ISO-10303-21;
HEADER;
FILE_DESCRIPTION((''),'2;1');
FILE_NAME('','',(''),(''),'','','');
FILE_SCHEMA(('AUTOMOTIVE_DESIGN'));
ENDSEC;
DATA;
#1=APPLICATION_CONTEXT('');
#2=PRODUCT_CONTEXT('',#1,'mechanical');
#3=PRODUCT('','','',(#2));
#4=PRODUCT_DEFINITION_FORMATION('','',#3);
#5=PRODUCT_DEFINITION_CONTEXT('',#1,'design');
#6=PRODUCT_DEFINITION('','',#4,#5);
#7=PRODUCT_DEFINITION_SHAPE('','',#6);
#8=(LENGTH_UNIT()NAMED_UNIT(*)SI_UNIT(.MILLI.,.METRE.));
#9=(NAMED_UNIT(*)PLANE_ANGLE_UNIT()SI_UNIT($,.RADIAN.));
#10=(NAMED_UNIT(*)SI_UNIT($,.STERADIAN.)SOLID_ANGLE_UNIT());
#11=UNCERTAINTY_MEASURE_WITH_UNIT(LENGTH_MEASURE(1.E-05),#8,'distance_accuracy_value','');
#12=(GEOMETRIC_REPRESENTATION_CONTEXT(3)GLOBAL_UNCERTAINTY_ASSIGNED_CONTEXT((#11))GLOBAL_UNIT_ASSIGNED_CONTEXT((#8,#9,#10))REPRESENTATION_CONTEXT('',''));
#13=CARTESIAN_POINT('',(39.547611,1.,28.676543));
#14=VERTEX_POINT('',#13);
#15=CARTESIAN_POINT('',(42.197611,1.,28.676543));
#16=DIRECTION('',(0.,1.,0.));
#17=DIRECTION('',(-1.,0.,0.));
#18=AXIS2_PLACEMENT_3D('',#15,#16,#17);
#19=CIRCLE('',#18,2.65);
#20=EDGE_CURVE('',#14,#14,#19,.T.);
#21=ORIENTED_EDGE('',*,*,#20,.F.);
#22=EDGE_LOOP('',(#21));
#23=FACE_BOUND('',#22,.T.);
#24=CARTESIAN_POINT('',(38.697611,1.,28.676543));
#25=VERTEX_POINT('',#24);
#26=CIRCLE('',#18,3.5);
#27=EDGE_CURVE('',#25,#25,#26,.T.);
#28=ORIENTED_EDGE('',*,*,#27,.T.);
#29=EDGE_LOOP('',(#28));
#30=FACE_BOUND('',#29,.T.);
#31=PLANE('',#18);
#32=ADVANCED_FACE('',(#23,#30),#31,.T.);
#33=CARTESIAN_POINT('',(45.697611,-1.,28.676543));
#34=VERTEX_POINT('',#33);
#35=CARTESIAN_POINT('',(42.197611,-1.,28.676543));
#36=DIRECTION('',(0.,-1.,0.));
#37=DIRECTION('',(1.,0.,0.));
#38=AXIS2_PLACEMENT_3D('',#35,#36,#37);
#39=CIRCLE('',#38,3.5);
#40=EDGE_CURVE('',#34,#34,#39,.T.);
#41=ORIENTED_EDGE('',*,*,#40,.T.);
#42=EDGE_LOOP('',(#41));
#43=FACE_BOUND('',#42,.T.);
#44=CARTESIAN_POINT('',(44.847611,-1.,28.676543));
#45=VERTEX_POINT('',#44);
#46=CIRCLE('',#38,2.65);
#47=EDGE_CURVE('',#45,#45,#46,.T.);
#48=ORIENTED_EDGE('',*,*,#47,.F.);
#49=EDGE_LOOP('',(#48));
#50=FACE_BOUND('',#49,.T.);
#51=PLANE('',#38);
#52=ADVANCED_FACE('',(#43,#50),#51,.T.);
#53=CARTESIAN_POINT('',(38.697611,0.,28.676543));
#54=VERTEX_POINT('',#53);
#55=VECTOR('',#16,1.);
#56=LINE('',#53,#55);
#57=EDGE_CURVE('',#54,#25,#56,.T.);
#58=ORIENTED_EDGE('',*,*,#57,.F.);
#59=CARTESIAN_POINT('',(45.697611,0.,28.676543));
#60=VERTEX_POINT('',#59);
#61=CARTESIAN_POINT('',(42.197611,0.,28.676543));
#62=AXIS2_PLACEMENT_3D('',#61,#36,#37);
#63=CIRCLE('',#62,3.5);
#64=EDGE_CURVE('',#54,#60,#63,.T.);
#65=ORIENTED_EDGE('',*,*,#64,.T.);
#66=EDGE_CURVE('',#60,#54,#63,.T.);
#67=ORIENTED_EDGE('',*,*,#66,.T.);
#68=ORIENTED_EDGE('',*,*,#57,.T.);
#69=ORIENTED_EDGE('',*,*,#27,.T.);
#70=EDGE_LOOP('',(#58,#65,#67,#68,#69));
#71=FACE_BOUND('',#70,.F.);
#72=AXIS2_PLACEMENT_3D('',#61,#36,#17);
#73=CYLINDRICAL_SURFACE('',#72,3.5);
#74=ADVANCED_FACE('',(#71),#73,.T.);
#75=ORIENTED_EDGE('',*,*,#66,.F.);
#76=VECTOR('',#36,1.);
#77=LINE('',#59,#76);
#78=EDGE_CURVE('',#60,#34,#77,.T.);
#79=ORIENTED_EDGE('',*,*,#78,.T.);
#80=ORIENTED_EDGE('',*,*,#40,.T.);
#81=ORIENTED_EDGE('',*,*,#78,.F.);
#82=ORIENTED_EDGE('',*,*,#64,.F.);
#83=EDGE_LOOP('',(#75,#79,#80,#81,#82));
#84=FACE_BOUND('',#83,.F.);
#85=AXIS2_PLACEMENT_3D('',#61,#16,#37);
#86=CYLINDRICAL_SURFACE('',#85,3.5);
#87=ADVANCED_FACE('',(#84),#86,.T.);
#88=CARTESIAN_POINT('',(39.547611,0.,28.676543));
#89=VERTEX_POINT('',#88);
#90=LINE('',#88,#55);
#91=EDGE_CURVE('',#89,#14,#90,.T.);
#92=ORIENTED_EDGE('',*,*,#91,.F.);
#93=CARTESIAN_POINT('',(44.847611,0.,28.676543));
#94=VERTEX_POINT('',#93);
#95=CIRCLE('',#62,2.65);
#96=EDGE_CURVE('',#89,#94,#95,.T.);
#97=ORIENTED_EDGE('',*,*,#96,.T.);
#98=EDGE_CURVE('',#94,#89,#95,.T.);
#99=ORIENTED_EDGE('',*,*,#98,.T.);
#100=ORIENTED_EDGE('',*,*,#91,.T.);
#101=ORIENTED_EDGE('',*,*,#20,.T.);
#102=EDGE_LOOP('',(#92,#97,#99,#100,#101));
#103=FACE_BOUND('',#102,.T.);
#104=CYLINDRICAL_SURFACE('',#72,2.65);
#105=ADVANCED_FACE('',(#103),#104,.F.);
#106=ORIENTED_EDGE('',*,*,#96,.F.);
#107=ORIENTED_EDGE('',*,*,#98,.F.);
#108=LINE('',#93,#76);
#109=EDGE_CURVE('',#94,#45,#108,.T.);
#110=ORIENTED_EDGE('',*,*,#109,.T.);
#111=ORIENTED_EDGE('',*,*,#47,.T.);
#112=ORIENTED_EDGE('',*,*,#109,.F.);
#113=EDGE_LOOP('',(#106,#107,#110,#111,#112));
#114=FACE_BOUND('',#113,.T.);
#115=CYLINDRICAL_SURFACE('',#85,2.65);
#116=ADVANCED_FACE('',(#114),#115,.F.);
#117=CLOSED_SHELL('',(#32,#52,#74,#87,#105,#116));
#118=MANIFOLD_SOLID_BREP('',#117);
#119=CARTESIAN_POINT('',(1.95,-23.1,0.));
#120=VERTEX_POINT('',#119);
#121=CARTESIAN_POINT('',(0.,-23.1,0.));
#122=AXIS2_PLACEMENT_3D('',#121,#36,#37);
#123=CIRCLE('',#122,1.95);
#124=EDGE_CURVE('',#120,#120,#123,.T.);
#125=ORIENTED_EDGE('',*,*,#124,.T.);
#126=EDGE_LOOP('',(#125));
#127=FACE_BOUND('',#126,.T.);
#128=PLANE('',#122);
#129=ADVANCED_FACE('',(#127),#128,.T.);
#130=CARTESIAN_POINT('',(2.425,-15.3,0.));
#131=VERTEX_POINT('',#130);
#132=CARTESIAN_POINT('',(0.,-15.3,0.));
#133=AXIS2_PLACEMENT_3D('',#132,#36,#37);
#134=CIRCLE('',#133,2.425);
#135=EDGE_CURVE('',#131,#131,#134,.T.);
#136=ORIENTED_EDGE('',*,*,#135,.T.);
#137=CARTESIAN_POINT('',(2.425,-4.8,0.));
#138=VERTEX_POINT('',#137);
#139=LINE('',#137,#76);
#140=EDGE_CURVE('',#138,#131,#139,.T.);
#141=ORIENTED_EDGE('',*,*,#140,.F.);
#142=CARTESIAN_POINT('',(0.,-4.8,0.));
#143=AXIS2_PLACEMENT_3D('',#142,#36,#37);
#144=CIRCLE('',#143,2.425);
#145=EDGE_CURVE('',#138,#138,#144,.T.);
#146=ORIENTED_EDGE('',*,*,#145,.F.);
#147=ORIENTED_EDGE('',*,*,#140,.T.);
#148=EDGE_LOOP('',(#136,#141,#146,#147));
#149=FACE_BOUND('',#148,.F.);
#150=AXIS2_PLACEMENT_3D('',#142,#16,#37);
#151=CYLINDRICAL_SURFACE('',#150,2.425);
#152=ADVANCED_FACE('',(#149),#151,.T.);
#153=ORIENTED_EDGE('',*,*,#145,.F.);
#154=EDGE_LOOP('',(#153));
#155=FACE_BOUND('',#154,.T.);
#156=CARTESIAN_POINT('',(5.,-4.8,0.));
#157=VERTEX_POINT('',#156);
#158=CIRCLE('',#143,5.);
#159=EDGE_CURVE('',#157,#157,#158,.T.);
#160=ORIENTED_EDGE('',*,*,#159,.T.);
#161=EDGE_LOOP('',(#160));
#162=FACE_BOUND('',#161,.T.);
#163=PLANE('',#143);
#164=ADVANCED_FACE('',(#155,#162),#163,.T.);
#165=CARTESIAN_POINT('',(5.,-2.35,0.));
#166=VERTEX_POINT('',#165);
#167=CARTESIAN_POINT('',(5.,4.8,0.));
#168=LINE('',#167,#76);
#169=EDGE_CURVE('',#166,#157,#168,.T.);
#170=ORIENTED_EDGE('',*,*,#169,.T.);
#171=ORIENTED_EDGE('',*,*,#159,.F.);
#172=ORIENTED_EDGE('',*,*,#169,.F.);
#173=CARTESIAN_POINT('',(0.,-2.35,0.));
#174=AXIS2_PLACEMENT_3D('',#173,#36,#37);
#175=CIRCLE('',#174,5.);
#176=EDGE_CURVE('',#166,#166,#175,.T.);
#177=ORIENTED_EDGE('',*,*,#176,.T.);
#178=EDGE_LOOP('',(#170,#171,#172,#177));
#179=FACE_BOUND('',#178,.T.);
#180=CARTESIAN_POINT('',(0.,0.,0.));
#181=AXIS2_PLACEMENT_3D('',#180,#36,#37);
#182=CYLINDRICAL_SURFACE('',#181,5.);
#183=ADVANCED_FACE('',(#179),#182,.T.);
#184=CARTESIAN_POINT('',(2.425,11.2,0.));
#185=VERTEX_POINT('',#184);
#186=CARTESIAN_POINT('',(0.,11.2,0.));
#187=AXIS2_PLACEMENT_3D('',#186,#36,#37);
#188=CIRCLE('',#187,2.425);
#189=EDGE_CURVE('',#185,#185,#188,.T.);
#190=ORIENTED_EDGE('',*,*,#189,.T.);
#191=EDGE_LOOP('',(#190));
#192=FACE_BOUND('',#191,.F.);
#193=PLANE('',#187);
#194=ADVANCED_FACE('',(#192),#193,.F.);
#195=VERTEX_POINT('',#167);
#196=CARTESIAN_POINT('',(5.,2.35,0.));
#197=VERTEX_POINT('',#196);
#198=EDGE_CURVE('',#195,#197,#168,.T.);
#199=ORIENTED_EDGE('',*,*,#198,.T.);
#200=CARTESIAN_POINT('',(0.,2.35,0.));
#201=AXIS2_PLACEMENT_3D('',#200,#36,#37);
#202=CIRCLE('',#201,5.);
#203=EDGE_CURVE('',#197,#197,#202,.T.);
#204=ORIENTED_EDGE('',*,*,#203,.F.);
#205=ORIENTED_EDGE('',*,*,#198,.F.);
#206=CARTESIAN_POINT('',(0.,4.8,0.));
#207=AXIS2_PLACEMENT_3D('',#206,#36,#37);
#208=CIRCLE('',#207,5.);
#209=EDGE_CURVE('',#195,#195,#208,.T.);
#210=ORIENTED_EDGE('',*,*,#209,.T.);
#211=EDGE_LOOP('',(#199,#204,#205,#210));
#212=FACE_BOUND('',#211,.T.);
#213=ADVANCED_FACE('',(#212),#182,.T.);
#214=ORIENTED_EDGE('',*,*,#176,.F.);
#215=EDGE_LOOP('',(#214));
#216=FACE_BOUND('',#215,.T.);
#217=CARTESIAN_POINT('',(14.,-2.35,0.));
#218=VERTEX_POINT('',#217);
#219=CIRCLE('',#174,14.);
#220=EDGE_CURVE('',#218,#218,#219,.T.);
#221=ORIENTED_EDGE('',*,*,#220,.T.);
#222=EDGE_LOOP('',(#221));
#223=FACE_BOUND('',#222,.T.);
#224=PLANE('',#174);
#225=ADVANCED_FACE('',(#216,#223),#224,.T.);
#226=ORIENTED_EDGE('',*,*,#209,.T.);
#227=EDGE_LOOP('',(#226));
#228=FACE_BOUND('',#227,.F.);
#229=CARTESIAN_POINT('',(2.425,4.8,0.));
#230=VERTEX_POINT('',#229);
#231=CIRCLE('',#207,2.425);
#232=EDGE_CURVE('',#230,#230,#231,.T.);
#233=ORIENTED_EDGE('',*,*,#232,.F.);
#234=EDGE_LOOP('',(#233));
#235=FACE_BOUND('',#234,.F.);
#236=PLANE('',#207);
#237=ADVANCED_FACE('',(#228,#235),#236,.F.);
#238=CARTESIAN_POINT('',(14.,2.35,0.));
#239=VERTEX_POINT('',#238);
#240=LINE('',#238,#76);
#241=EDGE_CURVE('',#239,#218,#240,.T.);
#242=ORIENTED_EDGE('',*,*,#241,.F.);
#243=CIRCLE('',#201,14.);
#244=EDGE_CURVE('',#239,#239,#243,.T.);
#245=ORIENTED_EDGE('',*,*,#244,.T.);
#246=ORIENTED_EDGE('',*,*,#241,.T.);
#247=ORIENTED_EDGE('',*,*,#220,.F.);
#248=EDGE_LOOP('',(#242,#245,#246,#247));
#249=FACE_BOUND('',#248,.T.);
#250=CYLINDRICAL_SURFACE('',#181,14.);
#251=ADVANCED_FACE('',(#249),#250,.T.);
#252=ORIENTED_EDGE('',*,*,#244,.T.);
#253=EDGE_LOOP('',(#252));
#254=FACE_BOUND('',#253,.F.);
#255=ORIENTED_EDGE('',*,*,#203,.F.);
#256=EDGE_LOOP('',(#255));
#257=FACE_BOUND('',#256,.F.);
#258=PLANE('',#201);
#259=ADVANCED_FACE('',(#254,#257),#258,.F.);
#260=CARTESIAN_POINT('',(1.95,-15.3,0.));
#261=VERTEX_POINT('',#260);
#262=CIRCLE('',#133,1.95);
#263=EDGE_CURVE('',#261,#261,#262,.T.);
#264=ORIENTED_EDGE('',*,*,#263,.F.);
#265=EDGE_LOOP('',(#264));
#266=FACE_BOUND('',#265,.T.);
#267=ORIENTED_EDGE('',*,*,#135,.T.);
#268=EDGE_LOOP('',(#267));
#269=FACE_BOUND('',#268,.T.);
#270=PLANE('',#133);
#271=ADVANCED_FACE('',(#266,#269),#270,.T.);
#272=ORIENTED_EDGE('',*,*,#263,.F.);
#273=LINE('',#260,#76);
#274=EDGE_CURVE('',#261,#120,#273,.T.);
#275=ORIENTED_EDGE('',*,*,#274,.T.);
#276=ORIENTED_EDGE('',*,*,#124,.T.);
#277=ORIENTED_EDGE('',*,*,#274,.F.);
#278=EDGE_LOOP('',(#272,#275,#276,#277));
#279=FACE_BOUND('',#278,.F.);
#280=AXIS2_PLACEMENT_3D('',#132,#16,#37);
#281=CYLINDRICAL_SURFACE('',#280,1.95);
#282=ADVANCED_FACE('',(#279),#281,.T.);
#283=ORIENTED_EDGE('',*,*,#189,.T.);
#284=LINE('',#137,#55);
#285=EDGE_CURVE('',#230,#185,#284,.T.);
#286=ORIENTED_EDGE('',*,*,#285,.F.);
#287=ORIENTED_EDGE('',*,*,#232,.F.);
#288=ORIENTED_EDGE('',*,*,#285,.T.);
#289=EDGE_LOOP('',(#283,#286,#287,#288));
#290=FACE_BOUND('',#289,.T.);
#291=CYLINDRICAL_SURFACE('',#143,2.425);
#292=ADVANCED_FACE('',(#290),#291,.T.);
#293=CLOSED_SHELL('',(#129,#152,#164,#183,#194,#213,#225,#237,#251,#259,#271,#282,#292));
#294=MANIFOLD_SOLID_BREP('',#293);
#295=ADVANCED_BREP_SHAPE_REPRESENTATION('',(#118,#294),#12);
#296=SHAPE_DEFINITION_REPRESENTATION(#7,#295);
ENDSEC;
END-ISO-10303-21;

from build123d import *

# Parameters (mm, degrees)
F0_R          = 14
F1_DEPTH      = 2.35
F2_R          = 5
F3_DEPTH      = 4.8
F4_R          = 2.425
F5_DEPTH      = 10.5
F5_DEPTH_BACK = 16
F6_R          = 1.95
F7_DEPTH      = 7.8
F8_R          = 3.5
F8_R_2        = 2.65
F9_DEPTH      = 1
F10_R         = 3.5
F10_R_2       = 2.65
F11_DEPTH     = 1


with BuildPart() as f1:
    # F0 (on Front) → F1 (new body, symmetric)
    with BuildSketch(Plane.XZ):
        Circle(F0_R)
    extrude(amount=F1_DEPTH, both=True)

    # F2 (on Front) → F3 (join, symmetric)
    with BuildSketch(Plane.XZ):
        Circle(F2_R)
    extrude(amount=F3_DEPTH, both=True)

    # F4 (on face) → F5 (join, two sides)
    with BuildSketch(Plane.XZ.offset(4.8)) as f5_sk:
        Circle(F4_R)
    extrude(amount=F5_DEPTH)
    extrude(f5_sk.sketch, amount=-F5_DEPTH_BACK)

    # F6 (on face) → F7 (join)
    with BuildSketch(Plane.XZ.offset(15.3)):
        Circle(F6_R)
    extrude(amount=F7_DEPTH)


with BuildPart() as f9:
    # F8 (on Front) → F9 (new body)
    with BuildSketch(Plane.XZ):
        with Locations((42.197611, 28.676543)):
            Circle(F8_R)
        with Locations((42.197611, 28.676543)):
            Circle(F8_R_2, mode=Mode.SUBTRACT)
    extrude(amount=F9_DEPTH)

    # F10 (on face) → F11 (join)
    with BuildSketch(Plane(origin=(0, 0, 0), x_dir=(-1, 0, 0), z_dir=(0, 1, 0))):
        with Locations((-42.197611, 28.676543)):
            Circle(F10_R)
        with Locations((-42.197611, 28.676543)):
            Circle(F10_R_2, mode=Mode.SUBTRACT)
    extrude(amount=F11_DEPTH)


solid = Compound([f1.part, f9.part])
